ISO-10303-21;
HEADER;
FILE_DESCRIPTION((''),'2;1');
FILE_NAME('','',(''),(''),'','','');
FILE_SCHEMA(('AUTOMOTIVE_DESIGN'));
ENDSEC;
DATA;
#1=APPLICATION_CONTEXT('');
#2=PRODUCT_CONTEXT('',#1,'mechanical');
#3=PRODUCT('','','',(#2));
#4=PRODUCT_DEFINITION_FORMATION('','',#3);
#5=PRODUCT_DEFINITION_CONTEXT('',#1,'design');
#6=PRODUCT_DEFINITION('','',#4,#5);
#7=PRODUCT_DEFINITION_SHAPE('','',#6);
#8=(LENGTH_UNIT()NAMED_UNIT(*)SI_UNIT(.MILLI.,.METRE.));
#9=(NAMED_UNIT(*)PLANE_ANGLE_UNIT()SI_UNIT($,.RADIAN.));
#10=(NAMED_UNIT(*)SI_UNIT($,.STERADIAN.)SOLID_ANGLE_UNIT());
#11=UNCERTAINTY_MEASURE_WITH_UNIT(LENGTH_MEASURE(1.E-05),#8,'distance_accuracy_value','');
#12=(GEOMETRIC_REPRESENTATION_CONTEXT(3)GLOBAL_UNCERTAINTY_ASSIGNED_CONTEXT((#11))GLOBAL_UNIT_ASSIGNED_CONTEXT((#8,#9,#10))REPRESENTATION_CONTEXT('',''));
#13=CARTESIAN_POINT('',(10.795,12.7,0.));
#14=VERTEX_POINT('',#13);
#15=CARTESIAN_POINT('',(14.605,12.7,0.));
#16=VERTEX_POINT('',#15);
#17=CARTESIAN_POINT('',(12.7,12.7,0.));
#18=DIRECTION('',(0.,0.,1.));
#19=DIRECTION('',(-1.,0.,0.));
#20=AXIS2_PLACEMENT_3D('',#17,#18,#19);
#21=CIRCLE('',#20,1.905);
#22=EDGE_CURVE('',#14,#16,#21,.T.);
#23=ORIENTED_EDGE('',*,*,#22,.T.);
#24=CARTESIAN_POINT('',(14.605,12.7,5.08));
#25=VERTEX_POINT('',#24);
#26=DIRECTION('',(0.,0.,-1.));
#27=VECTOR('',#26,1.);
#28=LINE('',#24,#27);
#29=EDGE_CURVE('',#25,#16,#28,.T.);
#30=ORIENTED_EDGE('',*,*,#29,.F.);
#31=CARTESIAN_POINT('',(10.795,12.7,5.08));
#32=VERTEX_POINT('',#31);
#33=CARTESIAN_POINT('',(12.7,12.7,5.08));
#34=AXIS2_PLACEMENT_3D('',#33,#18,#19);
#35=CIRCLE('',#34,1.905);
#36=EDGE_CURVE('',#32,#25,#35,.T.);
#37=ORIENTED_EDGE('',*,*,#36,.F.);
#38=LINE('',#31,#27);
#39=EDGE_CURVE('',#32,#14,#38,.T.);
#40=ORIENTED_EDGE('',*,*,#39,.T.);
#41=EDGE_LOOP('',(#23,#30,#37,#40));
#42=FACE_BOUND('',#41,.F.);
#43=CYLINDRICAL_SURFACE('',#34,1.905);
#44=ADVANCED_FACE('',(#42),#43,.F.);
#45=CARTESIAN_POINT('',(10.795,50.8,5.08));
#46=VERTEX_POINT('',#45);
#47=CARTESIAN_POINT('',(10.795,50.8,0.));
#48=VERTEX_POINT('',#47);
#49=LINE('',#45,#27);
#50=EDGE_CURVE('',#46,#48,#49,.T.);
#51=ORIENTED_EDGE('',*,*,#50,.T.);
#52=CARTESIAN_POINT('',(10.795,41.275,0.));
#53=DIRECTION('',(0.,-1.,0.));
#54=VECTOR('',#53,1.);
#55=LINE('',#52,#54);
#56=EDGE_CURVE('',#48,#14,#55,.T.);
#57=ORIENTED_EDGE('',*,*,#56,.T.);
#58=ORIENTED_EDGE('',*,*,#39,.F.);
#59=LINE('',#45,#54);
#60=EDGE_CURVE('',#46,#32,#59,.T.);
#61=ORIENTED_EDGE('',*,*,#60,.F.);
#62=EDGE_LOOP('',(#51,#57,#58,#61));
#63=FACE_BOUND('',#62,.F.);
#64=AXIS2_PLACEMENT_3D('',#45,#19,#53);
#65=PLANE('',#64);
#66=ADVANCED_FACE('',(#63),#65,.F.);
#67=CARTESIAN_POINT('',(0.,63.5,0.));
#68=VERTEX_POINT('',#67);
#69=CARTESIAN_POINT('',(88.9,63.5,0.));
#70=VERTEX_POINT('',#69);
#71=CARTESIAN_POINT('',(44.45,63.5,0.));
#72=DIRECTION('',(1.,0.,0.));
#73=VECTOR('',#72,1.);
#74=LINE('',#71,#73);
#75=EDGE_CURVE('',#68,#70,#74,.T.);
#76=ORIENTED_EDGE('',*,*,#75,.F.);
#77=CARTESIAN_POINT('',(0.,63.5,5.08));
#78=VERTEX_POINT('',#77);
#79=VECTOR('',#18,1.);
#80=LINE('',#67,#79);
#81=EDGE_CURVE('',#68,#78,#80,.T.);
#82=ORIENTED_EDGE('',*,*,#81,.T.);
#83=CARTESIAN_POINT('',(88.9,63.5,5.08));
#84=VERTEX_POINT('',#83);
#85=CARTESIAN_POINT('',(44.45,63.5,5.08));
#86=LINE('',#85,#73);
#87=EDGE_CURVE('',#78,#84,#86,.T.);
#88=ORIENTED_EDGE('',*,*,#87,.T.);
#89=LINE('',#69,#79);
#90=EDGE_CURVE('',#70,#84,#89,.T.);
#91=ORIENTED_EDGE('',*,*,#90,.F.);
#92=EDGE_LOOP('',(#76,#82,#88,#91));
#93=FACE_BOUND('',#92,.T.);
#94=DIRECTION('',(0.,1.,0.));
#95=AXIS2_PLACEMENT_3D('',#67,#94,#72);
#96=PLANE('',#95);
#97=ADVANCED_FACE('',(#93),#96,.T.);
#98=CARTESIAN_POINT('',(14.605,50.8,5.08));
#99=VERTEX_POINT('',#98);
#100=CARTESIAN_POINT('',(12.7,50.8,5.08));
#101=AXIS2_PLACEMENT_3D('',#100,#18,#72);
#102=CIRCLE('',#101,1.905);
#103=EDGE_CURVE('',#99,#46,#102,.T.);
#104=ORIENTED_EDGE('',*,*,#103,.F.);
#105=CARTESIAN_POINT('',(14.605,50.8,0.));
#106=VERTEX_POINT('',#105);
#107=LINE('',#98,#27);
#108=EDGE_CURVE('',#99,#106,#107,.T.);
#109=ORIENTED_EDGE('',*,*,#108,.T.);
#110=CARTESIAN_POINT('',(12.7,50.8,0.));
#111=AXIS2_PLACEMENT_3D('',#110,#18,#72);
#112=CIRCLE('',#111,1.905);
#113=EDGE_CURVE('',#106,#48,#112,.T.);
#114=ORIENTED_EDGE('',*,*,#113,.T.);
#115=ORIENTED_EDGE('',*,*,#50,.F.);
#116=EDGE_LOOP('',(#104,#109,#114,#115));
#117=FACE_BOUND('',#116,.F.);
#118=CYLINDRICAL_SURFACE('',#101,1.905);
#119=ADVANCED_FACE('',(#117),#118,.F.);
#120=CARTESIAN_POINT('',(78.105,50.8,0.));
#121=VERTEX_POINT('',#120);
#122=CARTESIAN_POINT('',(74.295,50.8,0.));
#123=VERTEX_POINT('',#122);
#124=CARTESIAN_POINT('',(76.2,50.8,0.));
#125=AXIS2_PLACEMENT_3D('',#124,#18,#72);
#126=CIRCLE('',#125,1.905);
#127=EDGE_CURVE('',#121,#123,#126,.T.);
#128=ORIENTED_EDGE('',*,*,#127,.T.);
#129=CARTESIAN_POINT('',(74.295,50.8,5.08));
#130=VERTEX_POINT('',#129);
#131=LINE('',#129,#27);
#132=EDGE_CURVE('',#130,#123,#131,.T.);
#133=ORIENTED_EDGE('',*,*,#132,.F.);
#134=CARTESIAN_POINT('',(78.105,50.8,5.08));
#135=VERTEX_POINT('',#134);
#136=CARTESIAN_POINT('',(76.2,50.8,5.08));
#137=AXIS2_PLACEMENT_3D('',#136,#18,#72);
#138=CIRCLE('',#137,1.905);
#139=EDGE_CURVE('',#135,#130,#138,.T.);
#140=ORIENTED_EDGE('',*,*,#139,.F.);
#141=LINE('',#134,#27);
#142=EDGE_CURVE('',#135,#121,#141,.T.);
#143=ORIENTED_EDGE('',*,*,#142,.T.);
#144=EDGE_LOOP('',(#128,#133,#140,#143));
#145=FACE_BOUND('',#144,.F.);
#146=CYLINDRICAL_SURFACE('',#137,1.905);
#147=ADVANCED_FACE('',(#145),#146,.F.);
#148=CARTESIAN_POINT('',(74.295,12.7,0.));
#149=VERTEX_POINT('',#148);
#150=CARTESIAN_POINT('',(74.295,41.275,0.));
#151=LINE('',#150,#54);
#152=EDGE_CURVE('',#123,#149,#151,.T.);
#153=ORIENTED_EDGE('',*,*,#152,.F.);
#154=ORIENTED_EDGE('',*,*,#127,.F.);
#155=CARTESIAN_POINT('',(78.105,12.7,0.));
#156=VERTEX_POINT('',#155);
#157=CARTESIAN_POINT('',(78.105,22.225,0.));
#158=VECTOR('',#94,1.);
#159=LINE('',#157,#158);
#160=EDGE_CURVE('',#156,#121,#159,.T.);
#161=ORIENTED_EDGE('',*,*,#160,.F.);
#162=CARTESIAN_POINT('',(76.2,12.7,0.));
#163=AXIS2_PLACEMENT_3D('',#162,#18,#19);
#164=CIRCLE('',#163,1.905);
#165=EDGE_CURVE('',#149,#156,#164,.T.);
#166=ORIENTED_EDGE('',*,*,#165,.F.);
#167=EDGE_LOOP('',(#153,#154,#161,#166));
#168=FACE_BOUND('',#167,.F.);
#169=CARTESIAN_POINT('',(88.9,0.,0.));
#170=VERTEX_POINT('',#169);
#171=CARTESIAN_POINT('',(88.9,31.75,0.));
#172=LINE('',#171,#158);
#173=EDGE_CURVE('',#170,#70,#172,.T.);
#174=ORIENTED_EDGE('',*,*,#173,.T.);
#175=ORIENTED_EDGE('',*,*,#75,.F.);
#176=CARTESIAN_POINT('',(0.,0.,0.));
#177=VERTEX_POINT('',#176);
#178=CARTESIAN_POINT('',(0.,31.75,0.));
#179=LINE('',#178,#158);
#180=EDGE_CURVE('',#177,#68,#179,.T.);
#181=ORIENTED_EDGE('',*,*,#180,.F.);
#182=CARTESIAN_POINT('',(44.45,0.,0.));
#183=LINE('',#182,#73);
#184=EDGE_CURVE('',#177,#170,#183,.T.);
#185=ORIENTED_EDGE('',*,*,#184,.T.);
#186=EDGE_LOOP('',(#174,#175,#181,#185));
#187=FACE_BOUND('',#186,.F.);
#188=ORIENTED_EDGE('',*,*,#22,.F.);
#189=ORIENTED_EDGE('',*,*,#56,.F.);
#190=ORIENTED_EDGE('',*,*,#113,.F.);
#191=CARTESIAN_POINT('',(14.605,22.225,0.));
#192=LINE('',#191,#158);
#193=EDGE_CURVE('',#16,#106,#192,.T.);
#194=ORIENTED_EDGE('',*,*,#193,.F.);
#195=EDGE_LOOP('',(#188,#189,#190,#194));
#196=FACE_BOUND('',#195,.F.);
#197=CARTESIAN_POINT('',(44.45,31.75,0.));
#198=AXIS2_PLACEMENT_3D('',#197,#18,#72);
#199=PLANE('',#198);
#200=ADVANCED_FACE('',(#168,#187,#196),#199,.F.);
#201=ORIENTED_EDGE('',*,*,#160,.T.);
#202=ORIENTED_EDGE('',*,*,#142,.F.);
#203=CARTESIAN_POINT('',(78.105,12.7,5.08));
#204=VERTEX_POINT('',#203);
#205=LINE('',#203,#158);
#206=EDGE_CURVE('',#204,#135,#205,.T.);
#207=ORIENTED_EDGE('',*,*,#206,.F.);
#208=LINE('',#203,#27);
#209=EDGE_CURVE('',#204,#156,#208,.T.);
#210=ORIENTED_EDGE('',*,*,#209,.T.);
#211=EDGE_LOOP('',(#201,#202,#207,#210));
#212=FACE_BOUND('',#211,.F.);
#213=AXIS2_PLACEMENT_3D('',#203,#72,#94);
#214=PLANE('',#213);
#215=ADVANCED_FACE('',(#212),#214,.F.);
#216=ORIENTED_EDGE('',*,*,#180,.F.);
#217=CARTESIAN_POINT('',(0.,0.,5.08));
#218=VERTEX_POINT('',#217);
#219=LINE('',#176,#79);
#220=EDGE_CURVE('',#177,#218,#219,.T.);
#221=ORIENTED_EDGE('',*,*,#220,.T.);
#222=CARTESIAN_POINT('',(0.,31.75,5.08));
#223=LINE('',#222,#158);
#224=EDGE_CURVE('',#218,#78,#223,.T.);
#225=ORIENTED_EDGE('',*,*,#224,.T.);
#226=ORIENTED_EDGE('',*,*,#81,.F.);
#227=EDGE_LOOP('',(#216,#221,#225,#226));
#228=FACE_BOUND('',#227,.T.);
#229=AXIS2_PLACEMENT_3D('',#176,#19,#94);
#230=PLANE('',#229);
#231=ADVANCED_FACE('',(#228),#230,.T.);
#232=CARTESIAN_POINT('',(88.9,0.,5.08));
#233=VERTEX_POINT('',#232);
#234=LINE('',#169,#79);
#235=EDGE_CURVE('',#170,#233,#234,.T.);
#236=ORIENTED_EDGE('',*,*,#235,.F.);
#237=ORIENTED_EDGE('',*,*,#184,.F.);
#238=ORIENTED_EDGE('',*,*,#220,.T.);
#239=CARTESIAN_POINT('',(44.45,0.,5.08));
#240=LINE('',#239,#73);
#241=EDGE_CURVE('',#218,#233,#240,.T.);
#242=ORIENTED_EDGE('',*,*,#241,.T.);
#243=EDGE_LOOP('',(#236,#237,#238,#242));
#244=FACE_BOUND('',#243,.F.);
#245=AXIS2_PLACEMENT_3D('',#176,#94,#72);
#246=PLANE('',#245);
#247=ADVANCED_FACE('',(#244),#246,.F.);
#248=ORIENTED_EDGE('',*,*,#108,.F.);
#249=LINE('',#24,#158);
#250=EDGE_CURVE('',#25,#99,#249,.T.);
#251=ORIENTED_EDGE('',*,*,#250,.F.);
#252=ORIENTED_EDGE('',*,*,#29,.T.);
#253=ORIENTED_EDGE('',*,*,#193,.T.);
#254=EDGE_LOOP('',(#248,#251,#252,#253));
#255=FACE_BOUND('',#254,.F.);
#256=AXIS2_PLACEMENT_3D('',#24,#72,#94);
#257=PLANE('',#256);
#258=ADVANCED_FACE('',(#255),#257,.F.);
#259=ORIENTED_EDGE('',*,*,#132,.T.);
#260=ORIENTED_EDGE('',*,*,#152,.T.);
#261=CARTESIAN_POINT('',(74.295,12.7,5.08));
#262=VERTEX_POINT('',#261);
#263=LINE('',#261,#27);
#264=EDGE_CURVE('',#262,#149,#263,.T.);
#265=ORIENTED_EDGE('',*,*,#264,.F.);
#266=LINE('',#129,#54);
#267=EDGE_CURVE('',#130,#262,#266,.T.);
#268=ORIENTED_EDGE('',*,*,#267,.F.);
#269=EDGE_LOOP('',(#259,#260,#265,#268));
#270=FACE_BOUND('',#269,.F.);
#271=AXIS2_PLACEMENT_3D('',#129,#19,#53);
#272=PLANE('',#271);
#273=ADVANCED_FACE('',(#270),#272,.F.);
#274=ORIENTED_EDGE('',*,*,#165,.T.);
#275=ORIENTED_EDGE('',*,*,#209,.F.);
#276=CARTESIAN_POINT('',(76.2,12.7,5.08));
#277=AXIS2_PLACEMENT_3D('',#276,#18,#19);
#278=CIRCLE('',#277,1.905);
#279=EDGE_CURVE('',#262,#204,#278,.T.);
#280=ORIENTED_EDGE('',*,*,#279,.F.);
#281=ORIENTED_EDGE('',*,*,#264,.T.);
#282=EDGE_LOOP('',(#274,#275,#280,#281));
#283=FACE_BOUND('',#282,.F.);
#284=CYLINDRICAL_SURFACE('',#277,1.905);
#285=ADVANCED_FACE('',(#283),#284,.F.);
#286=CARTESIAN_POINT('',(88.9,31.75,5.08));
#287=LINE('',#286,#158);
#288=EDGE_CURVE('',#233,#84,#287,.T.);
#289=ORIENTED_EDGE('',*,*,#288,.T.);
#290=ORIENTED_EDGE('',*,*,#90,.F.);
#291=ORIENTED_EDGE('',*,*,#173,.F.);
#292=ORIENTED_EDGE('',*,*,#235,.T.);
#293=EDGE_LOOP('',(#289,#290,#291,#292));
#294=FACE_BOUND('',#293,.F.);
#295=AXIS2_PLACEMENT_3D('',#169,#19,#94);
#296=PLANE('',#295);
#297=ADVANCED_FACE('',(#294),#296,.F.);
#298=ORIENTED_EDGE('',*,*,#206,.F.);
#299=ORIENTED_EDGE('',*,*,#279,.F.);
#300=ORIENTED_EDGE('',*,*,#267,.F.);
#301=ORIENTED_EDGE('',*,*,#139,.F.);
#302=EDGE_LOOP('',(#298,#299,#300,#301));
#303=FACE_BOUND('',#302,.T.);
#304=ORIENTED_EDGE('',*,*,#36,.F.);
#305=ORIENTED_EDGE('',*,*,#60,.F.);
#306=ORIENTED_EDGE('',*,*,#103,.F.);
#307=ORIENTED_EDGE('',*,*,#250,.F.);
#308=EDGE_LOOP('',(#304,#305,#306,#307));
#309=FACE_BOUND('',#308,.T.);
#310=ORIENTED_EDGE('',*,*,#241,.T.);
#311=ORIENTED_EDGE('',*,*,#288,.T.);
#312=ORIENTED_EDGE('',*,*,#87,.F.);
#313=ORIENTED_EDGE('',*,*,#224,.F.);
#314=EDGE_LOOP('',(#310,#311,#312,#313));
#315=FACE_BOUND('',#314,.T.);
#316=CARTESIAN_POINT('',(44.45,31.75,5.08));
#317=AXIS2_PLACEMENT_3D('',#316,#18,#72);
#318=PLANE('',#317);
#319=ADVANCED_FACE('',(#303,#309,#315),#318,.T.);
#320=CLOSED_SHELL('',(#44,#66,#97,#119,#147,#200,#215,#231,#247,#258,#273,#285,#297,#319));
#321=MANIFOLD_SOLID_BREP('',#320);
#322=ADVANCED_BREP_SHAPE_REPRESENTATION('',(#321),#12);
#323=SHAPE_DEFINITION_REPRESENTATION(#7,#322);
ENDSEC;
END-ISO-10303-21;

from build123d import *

# Parameters (mm, degrees)
F0_W     = 88.9
F0_H     = 63.5
F1_DEPTH = 5.08
F3_DEPTH = 5.081


with BuildPart() as f1:
    # F0 (on Top) → F1 (new body)
    with BuildSketch(Plane.XY):
        with Locations((44.45, 31.75)):
            Rectangle(F0_W, F0_H)
    extrude(amount=F1_DEPTH)

    # F2 (on face) → F3 (cut, through all)
    with BuildSketch(Plane.XY.offset(5.08)):
        with BuildLine():
            ThreePointArc((14.605, 50.8), (12.7, 52.705), (10.795, 50.8))
            Line((10.795, 50.8), (10.795, 12.7))
            ThreePointArc((10.795, 12.7), (12.7, 10.795), (14.605, 12.7))
            Line((14.605, 12.7), (14.605, 50.8))
        make_face()
        with BuildLine():
            ThreePointArc((78.105, 50.8), (76.2, 52.705), (74.295, 50.8))
            Line((74.295, 50.8), (74.295, 12.7))
            ThreePointArc((74.295, 12.7), (76.2, 10.795), (78.105, 12.7))
            Line((78.105, 12.7), (78.105, 50.8))
        make_face()
    extrude(amount=-F3_DEPTH, mode=Mode.SUBTRACT)


solid = f1.part
